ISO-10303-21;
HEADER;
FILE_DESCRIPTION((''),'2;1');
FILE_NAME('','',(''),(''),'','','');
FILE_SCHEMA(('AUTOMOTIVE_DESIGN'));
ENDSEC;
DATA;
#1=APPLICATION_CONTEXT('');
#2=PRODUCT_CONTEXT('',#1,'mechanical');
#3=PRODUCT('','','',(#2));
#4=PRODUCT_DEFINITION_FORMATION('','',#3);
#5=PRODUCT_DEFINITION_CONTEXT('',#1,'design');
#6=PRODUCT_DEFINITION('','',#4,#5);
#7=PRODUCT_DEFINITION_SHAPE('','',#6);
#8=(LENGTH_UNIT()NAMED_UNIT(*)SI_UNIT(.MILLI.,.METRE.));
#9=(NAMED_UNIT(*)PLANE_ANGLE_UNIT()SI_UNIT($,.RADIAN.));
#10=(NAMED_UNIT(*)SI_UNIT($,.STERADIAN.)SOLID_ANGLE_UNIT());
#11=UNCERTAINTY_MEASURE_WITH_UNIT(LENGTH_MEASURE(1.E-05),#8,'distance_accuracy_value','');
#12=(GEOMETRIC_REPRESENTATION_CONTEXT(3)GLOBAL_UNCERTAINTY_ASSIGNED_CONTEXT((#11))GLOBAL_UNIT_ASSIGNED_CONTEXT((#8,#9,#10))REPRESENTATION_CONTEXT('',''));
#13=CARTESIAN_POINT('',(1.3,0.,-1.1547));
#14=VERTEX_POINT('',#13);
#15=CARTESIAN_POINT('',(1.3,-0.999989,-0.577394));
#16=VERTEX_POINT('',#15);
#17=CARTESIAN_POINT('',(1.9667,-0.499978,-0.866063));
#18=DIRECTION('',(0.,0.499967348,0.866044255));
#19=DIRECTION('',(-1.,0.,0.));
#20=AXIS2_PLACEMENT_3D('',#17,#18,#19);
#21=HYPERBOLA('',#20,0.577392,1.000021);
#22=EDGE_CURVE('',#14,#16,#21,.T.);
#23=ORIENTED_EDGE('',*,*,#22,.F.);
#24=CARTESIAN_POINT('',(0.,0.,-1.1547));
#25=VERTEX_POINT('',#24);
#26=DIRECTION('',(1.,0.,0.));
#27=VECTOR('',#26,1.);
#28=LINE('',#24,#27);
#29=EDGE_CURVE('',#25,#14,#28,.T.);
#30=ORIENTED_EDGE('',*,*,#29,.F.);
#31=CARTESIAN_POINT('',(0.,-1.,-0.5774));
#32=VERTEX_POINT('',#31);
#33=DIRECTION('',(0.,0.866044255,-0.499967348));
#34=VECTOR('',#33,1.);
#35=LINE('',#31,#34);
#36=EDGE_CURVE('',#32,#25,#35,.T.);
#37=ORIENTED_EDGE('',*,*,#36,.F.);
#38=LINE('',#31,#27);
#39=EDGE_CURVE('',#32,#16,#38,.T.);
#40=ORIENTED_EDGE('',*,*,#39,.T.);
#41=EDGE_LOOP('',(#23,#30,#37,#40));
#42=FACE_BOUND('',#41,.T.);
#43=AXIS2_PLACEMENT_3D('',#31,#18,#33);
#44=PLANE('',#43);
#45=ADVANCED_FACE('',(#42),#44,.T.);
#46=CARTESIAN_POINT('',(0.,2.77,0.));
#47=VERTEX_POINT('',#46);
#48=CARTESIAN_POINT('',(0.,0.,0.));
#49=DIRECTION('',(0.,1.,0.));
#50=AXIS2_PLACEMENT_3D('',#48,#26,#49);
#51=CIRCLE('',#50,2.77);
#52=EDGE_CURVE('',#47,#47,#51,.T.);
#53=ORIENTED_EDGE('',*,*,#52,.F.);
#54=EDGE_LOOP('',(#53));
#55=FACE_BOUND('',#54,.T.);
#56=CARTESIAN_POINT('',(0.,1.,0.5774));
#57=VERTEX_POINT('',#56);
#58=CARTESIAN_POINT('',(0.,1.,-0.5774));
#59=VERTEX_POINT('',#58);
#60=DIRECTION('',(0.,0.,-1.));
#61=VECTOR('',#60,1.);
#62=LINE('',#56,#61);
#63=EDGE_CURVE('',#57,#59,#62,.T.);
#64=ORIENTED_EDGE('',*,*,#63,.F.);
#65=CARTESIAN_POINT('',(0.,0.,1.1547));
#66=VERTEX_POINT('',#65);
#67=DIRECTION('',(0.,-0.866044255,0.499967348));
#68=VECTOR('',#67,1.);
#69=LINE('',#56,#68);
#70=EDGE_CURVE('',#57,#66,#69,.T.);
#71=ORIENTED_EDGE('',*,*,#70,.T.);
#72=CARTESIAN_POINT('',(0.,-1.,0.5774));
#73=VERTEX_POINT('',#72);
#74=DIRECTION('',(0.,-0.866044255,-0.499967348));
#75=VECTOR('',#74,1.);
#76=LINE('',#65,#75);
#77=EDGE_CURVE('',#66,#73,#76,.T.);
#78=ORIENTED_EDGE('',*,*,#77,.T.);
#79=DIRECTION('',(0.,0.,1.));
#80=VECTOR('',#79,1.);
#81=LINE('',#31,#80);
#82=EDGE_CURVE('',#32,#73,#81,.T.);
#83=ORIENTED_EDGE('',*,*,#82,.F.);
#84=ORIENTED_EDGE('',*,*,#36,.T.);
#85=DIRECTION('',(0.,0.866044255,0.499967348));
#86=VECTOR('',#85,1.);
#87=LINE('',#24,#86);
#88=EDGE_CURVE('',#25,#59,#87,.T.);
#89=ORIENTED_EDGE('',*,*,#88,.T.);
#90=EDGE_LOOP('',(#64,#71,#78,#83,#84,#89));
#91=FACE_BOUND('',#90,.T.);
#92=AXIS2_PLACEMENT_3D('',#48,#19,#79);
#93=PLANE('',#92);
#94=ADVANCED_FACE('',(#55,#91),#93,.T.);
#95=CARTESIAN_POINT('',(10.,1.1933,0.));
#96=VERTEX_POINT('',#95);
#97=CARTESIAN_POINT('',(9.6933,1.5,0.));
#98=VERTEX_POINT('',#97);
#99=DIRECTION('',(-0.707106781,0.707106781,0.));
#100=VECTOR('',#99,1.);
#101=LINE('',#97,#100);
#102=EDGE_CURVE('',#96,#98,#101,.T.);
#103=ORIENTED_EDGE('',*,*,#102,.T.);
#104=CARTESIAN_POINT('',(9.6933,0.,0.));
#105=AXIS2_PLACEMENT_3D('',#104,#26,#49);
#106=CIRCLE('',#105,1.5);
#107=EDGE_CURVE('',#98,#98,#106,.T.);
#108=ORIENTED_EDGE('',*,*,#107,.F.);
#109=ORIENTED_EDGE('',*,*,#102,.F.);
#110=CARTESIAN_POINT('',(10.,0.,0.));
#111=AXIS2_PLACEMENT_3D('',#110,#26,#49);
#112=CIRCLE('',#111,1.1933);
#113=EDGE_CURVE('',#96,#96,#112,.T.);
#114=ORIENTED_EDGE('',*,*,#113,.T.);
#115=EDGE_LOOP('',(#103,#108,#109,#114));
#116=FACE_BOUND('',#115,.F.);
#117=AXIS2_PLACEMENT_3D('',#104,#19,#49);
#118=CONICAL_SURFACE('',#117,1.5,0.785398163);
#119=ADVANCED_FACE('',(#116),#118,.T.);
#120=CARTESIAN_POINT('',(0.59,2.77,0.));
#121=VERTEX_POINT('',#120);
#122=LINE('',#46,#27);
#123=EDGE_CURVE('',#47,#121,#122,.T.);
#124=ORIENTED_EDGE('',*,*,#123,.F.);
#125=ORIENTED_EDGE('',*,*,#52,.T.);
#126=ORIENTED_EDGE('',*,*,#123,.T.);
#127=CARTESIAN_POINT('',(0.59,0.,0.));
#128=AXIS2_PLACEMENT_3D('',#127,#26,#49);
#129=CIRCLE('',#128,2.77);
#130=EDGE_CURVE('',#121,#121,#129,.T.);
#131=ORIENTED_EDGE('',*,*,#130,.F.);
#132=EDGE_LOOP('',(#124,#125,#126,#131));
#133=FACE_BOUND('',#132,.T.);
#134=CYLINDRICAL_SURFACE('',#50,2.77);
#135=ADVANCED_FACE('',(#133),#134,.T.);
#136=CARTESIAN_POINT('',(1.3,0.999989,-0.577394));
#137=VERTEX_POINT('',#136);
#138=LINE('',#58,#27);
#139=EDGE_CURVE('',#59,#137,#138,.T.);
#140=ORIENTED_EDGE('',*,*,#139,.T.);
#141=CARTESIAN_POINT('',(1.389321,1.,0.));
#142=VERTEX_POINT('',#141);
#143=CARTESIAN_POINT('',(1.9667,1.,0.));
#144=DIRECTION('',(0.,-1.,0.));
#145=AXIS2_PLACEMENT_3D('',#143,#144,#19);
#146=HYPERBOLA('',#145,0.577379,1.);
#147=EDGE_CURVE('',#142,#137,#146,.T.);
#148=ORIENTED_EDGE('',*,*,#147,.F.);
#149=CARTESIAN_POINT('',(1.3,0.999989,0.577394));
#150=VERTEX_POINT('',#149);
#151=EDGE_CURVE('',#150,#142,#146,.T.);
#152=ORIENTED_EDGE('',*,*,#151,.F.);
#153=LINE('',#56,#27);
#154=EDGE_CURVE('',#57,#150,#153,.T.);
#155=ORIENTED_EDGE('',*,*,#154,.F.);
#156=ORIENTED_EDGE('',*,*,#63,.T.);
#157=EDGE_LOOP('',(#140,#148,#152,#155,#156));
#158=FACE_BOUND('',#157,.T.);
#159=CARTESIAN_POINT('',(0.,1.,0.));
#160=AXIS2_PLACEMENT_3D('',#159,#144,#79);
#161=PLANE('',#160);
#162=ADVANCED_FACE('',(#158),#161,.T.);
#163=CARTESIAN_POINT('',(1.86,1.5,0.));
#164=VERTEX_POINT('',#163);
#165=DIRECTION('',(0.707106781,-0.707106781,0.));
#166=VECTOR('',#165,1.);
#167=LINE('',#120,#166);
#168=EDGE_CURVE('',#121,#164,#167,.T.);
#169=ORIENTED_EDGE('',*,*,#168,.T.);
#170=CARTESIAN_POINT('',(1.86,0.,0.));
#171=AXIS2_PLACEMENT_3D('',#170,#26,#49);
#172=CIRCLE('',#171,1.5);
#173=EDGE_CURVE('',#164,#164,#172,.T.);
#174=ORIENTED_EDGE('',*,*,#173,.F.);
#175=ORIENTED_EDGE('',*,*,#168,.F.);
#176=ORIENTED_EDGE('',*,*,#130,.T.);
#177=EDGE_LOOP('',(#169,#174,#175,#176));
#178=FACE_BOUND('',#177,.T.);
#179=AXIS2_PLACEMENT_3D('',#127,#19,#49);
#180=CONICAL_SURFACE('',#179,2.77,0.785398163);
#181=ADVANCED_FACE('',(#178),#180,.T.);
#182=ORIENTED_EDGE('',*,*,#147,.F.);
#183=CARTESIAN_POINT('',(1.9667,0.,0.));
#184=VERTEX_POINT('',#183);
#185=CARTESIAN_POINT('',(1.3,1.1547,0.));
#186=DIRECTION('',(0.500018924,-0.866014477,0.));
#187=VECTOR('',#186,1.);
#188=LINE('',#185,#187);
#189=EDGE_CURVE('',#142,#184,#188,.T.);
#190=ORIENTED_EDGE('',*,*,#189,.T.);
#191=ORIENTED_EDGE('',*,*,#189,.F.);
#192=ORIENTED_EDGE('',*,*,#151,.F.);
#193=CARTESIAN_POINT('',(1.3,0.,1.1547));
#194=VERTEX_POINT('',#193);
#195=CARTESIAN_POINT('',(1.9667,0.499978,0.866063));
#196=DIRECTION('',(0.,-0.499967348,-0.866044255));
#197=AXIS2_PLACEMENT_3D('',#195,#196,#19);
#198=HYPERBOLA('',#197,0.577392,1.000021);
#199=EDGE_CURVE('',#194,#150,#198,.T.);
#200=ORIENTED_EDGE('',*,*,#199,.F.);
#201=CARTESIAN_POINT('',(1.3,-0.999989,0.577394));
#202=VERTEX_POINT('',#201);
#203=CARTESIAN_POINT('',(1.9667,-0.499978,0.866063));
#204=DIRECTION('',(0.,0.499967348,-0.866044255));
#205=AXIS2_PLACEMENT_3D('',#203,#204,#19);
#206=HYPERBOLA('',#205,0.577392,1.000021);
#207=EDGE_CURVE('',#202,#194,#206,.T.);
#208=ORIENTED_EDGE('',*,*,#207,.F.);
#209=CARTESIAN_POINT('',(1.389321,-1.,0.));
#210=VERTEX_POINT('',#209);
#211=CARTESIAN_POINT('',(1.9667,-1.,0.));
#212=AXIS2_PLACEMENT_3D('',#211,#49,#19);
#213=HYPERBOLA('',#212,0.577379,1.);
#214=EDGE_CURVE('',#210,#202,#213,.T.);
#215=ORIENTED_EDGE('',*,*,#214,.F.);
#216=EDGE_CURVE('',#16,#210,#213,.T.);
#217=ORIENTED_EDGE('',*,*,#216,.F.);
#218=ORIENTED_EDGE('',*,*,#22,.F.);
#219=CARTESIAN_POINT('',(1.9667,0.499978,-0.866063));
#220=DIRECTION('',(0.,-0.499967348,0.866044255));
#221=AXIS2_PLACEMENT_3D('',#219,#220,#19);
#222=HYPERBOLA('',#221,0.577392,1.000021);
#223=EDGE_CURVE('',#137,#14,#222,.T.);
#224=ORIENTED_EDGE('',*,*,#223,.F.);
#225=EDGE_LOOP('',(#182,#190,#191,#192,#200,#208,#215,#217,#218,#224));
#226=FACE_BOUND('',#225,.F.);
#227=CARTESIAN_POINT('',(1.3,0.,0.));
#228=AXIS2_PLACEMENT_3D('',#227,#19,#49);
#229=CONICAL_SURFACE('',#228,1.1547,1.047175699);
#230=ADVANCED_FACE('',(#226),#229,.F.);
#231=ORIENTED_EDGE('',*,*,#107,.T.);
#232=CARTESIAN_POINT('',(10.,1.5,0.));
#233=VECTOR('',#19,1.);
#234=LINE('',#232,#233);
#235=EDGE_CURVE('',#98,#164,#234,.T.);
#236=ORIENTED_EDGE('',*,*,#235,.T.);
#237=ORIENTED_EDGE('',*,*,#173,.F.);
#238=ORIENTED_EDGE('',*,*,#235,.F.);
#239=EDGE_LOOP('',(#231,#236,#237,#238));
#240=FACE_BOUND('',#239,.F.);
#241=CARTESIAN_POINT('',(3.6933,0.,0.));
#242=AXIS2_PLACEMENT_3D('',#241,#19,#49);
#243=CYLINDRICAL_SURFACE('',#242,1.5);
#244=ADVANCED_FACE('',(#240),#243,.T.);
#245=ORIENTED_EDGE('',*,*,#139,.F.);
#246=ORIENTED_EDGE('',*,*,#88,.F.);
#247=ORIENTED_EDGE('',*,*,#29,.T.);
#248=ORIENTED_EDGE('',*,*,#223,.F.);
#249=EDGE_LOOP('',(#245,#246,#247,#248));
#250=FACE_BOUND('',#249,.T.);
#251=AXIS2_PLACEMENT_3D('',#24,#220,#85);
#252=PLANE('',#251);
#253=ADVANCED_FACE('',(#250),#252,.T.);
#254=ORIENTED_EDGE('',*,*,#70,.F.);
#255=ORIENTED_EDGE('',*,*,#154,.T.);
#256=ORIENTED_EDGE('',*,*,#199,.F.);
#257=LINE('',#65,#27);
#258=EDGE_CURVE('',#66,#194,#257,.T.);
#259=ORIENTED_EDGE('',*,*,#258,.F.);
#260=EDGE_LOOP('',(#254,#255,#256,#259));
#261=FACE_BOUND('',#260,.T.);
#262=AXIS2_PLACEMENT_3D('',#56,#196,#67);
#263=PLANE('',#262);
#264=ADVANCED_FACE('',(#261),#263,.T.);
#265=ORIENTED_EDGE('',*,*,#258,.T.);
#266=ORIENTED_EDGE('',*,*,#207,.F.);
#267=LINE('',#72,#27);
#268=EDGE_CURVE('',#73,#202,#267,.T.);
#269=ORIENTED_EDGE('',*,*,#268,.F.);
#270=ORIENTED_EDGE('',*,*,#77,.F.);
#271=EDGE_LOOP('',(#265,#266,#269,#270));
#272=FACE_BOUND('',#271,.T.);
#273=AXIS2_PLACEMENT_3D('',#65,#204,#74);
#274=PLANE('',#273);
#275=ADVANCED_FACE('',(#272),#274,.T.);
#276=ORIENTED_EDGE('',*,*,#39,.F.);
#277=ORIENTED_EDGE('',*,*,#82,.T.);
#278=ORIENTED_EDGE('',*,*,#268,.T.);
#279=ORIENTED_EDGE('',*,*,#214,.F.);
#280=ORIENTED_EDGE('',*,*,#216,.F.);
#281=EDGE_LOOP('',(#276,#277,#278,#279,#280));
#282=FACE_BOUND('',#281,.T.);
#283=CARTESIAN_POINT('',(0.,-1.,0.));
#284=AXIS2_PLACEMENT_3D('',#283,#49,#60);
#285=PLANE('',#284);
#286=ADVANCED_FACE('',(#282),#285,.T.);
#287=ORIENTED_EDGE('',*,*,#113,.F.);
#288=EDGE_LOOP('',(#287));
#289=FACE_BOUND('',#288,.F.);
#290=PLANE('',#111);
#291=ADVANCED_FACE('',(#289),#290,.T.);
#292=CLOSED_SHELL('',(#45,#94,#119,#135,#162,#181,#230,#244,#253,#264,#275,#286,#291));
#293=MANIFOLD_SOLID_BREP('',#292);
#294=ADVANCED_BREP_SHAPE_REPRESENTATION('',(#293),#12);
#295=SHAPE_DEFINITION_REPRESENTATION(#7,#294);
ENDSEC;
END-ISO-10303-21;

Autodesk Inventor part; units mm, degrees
ref_plane "YZ Plane" through (0, 0, 0) normal (1, 0, 0) x (0, 1, 0)
ref_plane "XZ Plane" through (0, 0, 0) normal (0, 1, 0) x (-1, 0, 0)
sketch "Sketch1" plane through (0, 0, 0) normal (0, 0, 1) x (1, 0, 0)
  line L0 (10, 0) -> (10, 1.5)
  line L1 (10, 1.5) -> (4, 1.5)
  line L2 (4, 1.5) -> (3.6933, 1.5)
  line L3 (0, 2.77) -> (0, 1.1547)
  line L4 (0, 1.1547) -> (1.3, 1.1547)
  line L5 (1.3, 1.1547) -> (1.9667, 0)
  line L6 (1.9667, 0) -> (10, 0)
  line L7 (0, 2.77) -> (0.59, 2.77)
  line L8 (0.59, 2.77) -> (1.86, 1.5)
  line L9 (3.6933, 1.5) -> (1.86, 1.5)
  line L10 (4, 1.5) -> (1.86, 1.5) construction
  line L11 (1.86, 1.5) -> (1.86, 1.5)
  line L12 (-2, 0) -> (12, 0) projected
  line L13 (0, -0.554) -> (0, 3.324) projected
  dimension "d0" = 10
  dimension "d1" = 6
  dimension "d2" = 1.3
  dimension "d3" = 3
  dimension "d6" = 1.86
  dimension "d7" = 45
  dimension "d8" = 2.3094
  dimension "d9" = 60
  dimension "d10" = 5.54
  dimension "d11" = 3
  dimension "d12" = 0.3067
revolve "Body" add sketch "Sketch1" angle 360 about axis through (1.9667, 0, 0) along (1, 0, 0) contours L6 L5 L4 L3 L7 L8 L9 L2 L1 L0
sketch "Sketch2" plane through (0, 0, 0) normal (-1, 0, 0) x (0, 0, 1)
  circle A0 centre (0, 0) radius 1.1547 projected
  line L0 (0, -3.878) -> (0, 3.878) projected
  line L1 (-3.878, 0) -> (3.878, 0) projected
  line L2 (1.1547, 0) -> (0.5774, -1)
  line L3 (0.5774, -1) -> (-0.5774, -1)
  line L4 (-0.5774, -1) -> (-1.1547, 0)
  line L5 (-1.1547, 0) -> (-0.5774, 1)
  line L6 (-0.5774, 1) -> (0.5774, 1)
  line L7 (0.5774, 1) -> (1.1547, 0)
  point P0 (0, 1.1547)
extrude "Slot" add sketch "Sketch2" against normal up to next contours L7 A0 | A0 L2 | L6 L0 A0 | A0 L0 L3 | L0 L6 A0 | A0 L3 L0 | L4 A0 | A0 L5
thread "Thread" size "M3x0.5" class "6g" standard "ISO Metric profile" length 6
chamfer "Chamfer1" distance 0.3067 distance2 0.3067 1 edges at (10, -1.5, 0) measured on face at (10, -0.8298, -0.2045)
ref_plane "Work Plane1" through (104.775, 0, 0) normal (0, 0, -1) x (1, 0, 0)
equation "\"d15\" = GEL"
equation "\"d17\" = -0.5 * SPD + 0.5 * GD"
equation "\"d18\" = GUL"
equation "\"d0\" = NLG"
equation "\"d1\" = GEL"
equation "\"d2\" = INTI"
equation "\"d3\" = GD"
equation "\"d6\" = KOH"
equation "\"d7\" = 0.5 * SEWI"
equation "\"d8\" = 1.1547 * SW"
equation "\"d10\" = KOD"
equation "\"d11\" = BDM"
equation "\"d12\" = GAL"
equation "\"NLG\" = 10"
equation "\"INTI\" = 1.3"
equation "\"GEL\" = 6"
equation "\"GAL\" = 0.61345 * PTC"
equation "\"KOH\" = 1.86"
equation "\"KOD\" = 5.54"
equation "\"GUL\" = 0.61345 * PTC"
equation "\"SPD\" = NND - 1.2269 * PTC"
equation "\"BDM\" = NND"
equation "\"GD\" = NND"
equation "\"SEWI\" = 90deg"
equation "\"SW\" = 2"
equation "\"TOA\" = 30deg"
equation "\"GD1\" = THREADDIA - 1.2269 * PTC"
equation "\"EPV\" = 3.36"
equation "\"THREADDIA\" = 3"
equation "\"PTC\" = 0.5"
equation "\"NND\" = 3"
equation "\"E0\" = 2.31"
equation "\"THREADDESC\" = 1.2345"
properties part number "451233010030010" material "Stainless Steel"
